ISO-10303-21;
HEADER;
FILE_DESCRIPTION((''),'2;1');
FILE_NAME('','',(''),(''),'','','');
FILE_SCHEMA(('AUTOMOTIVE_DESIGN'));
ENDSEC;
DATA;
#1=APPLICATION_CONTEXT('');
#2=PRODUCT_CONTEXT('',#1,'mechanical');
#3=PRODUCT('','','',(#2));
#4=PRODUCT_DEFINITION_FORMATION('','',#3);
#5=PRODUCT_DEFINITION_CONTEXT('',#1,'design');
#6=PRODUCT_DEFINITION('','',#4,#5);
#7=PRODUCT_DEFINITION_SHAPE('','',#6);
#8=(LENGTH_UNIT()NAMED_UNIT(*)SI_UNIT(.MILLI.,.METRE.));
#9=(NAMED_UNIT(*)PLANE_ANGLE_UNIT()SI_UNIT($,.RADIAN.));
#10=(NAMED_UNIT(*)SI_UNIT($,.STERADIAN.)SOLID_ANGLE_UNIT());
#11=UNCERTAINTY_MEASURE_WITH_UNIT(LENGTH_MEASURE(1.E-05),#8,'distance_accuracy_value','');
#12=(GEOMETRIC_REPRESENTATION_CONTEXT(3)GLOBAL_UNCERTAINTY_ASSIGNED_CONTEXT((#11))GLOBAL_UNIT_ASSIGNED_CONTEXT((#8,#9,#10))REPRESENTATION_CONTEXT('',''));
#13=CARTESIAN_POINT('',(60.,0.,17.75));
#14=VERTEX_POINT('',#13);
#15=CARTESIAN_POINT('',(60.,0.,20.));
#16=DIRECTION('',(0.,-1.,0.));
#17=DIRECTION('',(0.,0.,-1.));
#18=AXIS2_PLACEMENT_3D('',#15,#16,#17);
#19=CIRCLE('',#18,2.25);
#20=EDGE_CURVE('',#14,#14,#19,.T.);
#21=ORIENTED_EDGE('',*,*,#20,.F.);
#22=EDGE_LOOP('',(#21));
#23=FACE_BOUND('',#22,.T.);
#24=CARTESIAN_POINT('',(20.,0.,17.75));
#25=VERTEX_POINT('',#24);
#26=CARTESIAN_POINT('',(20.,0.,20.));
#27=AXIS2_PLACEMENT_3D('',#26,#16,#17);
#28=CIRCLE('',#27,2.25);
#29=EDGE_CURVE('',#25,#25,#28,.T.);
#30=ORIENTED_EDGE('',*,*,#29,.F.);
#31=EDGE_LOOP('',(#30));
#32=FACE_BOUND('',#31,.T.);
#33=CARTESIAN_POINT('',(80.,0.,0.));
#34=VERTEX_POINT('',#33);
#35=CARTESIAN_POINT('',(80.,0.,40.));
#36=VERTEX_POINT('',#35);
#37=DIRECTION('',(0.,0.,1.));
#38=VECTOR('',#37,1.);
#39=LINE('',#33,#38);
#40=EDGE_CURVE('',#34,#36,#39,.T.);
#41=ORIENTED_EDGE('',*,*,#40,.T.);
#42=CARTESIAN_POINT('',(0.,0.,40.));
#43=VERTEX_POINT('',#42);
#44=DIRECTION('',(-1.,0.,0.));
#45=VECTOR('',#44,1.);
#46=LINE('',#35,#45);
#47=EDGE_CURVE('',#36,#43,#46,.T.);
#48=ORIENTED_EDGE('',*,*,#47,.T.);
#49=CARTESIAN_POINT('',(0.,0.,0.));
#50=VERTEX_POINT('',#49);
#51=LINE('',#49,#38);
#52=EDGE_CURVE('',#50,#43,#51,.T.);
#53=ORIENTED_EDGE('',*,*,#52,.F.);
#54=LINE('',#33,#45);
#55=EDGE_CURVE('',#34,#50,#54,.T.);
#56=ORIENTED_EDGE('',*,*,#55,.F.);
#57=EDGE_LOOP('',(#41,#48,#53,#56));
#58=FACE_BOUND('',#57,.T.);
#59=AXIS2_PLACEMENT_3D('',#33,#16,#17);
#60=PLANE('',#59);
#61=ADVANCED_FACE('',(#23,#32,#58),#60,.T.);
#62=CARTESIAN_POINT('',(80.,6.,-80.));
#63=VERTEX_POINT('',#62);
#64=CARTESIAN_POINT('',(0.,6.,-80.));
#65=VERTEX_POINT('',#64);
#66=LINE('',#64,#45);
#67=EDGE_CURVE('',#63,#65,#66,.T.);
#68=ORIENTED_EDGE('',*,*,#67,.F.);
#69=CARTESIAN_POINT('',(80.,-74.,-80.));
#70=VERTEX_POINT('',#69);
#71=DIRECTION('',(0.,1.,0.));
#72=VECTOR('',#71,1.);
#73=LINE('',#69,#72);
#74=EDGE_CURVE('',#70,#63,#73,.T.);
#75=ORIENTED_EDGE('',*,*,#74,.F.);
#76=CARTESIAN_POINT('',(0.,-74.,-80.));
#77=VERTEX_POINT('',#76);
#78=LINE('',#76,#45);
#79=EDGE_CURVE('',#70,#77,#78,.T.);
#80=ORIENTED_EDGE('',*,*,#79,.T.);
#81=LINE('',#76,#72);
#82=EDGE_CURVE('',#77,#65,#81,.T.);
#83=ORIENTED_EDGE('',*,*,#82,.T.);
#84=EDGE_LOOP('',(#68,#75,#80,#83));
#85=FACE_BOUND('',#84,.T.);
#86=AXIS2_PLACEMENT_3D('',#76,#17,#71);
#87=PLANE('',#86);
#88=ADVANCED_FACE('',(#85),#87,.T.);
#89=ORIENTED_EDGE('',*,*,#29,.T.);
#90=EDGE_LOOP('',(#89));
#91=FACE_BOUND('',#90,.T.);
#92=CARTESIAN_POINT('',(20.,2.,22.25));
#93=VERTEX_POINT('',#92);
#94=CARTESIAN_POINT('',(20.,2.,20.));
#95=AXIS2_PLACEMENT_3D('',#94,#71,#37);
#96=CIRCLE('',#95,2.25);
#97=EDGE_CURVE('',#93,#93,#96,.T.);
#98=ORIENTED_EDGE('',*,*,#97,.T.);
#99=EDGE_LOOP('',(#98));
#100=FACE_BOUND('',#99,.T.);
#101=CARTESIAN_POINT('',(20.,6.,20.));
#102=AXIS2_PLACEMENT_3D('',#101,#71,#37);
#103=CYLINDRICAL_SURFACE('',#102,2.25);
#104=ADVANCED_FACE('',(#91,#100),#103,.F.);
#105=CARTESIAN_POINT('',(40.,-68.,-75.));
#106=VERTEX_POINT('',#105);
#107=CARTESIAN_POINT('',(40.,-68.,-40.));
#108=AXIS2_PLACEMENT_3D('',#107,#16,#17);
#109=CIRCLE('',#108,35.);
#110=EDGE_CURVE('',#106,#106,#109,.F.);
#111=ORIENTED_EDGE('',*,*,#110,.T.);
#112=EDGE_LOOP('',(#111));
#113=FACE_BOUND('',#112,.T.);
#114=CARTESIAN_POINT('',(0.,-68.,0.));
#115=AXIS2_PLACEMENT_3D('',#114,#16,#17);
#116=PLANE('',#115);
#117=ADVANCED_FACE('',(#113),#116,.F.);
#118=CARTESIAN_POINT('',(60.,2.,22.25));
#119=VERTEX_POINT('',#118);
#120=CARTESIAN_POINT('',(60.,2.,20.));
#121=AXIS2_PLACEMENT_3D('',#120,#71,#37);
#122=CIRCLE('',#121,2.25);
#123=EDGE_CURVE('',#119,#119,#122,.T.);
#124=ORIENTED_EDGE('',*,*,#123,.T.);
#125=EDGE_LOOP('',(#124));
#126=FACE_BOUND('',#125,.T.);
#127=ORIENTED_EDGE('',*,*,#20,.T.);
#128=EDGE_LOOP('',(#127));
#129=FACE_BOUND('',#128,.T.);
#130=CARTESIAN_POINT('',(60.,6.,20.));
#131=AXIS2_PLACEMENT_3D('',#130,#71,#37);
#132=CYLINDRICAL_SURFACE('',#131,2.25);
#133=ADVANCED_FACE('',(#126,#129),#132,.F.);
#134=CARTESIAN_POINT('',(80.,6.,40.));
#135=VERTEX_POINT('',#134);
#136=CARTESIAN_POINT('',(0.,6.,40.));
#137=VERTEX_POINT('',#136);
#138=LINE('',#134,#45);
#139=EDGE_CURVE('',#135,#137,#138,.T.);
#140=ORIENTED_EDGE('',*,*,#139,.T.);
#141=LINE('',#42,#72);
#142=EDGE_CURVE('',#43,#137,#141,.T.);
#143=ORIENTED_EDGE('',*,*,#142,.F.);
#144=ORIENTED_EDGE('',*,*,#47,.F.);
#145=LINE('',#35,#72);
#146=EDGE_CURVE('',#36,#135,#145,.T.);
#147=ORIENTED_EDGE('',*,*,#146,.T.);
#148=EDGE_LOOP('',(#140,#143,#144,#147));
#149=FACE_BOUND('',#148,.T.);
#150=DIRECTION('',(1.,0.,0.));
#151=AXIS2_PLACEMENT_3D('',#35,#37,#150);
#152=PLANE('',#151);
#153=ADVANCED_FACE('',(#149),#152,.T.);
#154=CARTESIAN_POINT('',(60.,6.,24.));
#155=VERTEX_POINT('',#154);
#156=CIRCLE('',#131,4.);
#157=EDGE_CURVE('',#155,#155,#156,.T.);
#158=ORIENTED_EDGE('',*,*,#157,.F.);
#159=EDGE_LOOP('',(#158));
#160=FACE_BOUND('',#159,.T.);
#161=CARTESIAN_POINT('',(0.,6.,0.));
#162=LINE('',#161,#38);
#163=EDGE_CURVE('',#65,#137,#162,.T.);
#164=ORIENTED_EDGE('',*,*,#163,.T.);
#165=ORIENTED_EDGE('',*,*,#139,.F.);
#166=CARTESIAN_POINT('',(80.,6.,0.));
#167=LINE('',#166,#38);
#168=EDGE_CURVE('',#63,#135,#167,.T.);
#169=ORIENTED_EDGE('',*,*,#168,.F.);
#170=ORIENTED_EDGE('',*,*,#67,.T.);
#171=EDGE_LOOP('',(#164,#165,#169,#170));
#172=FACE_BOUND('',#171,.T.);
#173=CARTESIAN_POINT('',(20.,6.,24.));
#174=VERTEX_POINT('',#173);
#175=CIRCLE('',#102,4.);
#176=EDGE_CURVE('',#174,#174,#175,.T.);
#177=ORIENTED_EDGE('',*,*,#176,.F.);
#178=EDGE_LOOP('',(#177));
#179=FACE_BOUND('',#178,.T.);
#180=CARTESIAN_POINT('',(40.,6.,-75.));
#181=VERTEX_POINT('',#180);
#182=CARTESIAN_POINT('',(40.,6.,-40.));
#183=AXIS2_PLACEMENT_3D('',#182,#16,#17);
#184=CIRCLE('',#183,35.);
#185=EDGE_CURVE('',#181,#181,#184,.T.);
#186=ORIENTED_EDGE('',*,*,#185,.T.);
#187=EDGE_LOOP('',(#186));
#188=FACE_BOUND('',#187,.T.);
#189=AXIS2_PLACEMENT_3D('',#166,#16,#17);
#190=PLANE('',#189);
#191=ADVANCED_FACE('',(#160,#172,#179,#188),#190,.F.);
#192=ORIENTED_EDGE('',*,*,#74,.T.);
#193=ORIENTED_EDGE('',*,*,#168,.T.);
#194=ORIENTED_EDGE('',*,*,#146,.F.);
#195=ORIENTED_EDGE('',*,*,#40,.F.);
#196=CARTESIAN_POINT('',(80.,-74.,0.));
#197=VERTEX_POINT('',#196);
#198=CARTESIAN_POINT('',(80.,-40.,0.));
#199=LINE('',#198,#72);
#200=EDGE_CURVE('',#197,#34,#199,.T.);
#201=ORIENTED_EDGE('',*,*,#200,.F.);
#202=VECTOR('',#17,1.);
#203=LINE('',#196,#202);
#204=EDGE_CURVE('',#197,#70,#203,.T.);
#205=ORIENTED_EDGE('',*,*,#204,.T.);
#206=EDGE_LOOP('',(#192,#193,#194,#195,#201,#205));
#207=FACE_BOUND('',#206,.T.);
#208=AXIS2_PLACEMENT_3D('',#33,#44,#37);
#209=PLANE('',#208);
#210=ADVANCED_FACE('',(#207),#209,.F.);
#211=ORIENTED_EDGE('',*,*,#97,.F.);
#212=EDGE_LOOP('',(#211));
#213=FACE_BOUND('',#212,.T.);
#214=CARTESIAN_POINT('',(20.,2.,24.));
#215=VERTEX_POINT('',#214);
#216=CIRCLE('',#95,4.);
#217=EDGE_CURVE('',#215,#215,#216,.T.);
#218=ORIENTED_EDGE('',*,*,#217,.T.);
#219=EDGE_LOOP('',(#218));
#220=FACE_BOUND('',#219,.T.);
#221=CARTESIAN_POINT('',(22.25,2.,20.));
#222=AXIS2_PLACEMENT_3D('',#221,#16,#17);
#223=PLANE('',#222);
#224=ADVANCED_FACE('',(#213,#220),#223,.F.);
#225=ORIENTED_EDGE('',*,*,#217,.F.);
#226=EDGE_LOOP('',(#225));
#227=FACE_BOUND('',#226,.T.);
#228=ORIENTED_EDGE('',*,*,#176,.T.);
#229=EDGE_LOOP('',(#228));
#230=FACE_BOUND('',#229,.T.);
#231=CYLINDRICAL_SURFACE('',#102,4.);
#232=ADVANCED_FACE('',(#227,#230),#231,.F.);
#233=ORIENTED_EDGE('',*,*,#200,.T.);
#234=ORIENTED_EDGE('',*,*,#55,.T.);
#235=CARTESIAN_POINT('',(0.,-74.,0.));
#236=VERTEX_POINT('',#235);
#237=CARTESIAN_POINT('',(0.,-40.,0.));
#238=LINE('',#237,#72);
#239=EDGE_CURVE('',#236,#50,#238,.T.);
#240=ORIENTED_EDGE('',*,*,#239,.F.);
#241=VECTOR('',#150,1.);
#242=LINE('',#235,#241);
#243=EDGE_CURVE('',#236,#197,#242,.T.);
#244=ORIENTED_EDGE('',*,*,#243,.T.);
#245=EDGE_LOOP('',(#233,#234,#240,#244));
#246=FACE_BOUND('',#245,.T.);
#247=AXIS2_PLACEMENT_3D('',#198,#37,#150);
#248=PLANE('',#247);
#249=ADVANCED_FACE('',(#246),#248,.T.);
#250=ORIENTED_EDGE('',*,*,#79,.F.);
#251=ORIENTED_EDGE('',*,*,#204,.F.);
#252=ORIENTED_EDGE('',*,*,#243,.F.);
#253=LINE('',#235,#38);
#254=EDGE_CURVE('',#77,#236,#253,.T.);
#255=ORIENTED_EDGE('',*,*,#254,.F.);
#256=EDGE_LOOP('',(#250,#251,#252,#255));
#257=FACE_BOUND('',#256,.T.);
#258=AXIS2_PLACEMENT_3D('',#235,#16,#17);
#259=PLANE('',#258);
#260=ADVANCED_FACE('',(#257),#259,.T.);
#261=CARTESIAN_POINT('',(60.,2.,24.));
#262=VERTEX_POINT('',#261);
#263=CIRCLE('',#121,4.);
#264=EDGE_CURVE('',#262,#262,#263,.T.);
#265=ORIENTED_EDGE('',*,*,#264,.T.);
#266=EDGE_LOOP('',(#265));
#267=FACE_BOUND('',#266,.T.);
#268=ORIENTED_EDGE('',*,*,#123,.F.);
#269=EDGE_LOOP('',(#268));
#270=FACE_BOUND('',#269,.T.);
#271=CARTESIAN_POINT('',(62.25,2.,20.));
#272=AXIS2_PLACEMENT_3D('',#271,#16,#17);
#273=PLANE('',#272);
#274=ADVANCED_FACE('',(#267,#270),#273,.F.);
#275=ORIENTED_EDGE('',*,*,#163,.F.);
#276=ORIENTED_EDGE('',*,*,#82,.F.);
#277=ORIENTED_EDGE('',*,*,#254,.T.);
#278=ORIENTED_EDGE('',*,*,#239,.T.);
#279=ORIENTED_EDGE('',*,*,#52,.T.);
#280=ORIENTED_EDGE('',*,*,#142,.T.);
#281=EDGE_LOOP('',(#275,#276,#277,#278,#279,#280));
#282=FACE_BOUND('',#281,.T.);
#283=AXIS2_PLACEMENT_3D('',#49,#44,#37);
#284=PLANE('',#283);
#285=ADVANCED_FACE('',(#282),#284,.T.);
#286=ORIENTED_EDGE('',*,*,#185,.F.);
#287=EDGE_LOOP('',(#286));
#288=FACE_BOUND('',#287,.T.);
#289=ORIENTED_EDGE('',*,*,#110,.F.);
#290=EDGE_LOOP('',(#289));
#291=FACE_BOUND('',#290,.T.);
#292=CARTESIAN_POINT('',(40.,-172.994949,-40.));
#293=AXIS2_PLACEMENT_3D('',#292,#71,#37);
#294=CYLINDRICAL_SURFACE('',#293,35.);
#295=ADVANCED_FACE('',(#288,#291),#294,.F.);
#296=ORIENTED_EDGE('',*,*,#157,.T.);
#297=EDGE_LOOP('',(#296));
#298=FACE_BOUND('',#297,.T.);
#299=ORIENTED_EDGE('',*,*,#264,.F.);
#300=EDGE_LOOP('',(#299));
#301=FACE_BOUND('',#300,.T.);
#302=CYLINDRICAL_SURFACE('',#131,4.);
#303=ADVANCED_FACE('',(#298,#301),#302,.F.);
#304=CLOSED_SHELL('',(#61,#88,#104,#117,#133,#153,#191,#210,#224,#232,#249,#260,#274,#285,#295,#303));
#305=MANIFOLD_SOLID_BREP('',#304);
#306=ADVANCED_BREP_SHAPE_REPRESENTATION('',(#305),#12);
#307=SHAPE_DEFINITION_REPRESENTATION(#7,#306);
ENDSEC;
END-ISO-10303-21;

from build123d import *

# Parameters (mm, degrees)
EXTRUDE_THIN1_DEPTH            = 80
SKETCH4_W                      = 80
SKETCH4_H                      = 80
BOSS_EXTRUDE1_DEPTH            = 80
SKETCH5_R                      = 35
CUT_EXTRUDE1_DEPTH             = 1
CUT_EXTRUDE1_DEPTH_BACK        = 74
CBORE_FOR_M4_SHCS1_D           = 4.5
CBORE_FOR_M4_SHCS1_DEPTH       = 6
CBORE_FOR_M4_SHCS1_CBORE_D     = 8
CBORE_FOR_M4_SHCS1_CBORE_DEPTH = 4


with BuildPart() as part:
    # Sketch1 → Extrude-Thin1 (new body)
    with BuildSketch(Plane(origin=(0, 0, 0), x_dir=(0, 0, -1), z_dir=(1, 0, 0))):
        Polygon((0, -40), (0, 0), (-40, 0), (-40, 6), (6, 6), (6, -40), align=None)
    extrude(amount=EXTRUDE_THIN1_DEPTH)

    # Sketch4 → Boss-Extrude1 (add)
    with BuildSketch(Plane(origin=(0, 6, 0), x_dir=(1, 0, 0), z_dir=(0, 1, 0))):
        with Locations((40, 40)):
            Rectangle(SKETCH4_W, SKETCH4_H)
    extrude(amount=-BOSS_EXTRUDE1_DEPTH)

    # Sketch5 → Cut-Extrude1 (cut, two sides)
    with BuildSketch(Plane(origin=(0, 6, 0), x_dir=(1, 0, 0), z_dir=(0, 1, 0))) as cut_extrude1_sk:
        with Locations((40, 40)):
            Circle(SKETCH5_R)
    extrude(amount=CUT_EXTRUDE1_DEPTH, mode=Mode.SUBTRACT)
    extrude(cut_extrude1_sk.sketch, amount=-CUT_EXTRUDE1_DEPTH_BACK, mode=Mode.SUBTRACT)

    # CBORE for M4 SHCS1
    with Locations(Plane(origin=(0, 6, 0), x_dir=(1, 0, 0), z_dir=(0, 1, 0))):
        with Locations((60, -20), (20, -20)):
            CounterBoreHole(CBORE_FOR_M4_SHCS1_D / 2, CBORE_FOR_M4_SHCS1_CBORE_D / 2, CBORE_FOR_M4_SHCS1_CBORE_DEPTH, depth=CBORE_FOR_M4_SHCS1_DEPTH)


solid = part.part
